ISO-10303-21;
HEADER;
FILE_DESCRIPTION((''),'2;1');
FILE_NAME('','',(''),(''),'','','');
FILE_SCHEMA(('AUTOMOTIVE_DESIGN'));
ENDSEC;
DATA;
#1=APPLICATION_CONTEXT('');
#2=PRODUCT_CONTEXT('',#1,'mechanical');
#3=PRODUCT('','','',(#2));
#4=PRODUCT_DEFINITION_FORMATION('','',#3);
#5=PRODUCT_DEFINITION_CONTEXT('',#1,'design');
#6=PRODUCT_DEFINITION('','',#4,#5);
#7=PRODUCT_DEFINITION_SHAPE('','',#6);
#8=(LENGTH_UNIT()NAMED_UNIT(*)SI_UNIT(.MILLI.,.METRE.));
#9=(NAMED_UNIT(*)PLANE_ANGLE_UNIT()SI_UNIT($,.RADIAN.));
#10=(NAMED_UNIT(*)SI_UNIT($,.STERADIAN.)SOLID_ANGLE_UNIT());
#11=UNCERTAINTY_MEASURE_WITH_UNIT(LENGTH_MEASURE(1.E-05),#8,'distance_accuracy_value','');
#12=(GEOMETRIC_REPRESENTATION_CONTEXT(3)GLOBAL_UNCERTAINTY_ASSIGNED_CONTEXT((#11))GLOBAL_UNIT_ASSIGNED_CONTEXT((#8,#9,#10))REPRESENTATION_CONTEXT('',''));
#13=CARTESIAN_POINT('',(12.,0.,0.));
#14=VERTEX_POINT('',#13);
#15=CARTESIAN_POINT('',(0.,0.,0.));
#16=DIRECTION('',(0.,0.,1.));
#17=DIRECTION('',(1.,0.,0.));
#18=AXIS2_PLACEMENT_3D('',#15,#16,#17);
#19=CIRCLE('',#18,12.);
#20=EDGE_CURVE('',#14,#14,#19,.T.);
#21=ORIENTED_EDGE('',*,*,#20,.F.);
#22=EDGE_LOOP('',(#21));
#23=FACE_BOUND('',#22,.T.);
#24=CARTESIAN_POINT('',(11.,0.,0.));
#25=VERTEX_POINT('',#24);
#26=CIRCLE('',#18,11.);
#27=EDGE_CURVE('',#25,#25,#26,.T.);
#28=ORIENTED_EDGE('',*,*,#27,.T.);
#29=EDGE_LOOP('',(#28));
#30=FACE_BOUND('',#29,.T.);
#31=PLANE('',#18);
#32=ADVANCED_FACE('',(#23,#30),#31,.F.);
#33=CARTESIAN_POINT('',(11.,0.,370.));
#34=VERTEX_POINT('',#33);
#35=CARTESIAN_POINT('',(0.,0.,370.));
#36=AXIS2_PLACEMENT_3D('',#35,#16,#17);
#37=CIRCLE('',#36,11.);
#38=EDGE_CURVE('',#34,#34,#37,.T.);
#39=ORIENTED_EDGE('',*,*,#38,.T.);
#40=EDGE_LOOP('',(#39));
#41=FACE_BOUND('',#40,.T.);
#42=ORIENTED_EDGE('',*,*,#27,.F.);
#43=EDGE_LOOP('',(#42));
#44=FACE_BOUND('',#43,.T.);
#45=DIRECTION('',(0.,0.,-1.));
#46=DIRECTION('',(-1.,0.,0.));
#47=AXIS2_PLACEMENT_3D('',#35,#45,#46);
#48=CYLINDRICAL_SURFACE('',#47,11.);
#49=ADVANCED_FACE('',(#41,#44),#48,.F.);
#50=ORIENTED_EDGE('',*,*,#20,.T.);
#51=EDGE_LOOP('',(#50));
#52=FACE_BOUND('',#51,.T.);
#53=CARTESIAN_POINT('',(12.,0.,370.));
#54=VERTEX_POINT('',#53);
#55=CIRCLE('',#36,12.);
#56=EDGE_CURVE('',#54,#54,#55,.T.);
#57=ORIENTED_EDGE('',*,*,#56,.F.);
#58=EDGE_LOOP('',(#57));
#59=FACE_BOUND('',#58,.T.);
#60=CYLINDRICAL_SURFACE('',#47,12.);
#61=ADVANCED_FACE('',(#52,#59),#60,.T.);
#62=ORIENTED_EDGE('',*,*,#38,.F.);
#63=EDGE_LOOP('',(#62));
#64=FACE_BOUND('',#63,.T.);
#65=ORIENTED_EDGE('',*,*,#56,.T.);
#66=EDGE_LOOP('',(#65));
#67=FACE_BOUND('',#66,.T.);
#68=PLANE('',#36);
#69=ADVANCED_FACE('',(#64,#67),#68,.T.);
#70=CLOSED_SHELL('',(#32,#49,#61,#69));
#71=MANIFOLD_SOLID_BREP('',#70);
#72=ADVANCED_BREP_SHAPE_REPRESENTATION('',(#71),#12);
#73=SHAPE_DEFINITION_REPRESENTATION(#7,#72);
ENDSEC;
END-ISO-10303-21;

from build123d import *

# Parameters (mm, degrees)
IZIM1_R                     = 12
IZIM1_R_2                   = 11
Y_KSEKLIK_EKSTR_ZYON1_DEPTH = 370


with BuildPart() as part:
    # Çizim1 → Yükseklik-Ekstrüzyon1 (new body)
    with BuildSketch(Plane.XY):
        Circle(IZIM1_R)
        Circle(IZIM1_R_2, mode=Mode.SUBTRACT)
    extrude(amount=Y_KSEKLIK_EKSTR_ZYON1_DEPTH)


solid = part.part
